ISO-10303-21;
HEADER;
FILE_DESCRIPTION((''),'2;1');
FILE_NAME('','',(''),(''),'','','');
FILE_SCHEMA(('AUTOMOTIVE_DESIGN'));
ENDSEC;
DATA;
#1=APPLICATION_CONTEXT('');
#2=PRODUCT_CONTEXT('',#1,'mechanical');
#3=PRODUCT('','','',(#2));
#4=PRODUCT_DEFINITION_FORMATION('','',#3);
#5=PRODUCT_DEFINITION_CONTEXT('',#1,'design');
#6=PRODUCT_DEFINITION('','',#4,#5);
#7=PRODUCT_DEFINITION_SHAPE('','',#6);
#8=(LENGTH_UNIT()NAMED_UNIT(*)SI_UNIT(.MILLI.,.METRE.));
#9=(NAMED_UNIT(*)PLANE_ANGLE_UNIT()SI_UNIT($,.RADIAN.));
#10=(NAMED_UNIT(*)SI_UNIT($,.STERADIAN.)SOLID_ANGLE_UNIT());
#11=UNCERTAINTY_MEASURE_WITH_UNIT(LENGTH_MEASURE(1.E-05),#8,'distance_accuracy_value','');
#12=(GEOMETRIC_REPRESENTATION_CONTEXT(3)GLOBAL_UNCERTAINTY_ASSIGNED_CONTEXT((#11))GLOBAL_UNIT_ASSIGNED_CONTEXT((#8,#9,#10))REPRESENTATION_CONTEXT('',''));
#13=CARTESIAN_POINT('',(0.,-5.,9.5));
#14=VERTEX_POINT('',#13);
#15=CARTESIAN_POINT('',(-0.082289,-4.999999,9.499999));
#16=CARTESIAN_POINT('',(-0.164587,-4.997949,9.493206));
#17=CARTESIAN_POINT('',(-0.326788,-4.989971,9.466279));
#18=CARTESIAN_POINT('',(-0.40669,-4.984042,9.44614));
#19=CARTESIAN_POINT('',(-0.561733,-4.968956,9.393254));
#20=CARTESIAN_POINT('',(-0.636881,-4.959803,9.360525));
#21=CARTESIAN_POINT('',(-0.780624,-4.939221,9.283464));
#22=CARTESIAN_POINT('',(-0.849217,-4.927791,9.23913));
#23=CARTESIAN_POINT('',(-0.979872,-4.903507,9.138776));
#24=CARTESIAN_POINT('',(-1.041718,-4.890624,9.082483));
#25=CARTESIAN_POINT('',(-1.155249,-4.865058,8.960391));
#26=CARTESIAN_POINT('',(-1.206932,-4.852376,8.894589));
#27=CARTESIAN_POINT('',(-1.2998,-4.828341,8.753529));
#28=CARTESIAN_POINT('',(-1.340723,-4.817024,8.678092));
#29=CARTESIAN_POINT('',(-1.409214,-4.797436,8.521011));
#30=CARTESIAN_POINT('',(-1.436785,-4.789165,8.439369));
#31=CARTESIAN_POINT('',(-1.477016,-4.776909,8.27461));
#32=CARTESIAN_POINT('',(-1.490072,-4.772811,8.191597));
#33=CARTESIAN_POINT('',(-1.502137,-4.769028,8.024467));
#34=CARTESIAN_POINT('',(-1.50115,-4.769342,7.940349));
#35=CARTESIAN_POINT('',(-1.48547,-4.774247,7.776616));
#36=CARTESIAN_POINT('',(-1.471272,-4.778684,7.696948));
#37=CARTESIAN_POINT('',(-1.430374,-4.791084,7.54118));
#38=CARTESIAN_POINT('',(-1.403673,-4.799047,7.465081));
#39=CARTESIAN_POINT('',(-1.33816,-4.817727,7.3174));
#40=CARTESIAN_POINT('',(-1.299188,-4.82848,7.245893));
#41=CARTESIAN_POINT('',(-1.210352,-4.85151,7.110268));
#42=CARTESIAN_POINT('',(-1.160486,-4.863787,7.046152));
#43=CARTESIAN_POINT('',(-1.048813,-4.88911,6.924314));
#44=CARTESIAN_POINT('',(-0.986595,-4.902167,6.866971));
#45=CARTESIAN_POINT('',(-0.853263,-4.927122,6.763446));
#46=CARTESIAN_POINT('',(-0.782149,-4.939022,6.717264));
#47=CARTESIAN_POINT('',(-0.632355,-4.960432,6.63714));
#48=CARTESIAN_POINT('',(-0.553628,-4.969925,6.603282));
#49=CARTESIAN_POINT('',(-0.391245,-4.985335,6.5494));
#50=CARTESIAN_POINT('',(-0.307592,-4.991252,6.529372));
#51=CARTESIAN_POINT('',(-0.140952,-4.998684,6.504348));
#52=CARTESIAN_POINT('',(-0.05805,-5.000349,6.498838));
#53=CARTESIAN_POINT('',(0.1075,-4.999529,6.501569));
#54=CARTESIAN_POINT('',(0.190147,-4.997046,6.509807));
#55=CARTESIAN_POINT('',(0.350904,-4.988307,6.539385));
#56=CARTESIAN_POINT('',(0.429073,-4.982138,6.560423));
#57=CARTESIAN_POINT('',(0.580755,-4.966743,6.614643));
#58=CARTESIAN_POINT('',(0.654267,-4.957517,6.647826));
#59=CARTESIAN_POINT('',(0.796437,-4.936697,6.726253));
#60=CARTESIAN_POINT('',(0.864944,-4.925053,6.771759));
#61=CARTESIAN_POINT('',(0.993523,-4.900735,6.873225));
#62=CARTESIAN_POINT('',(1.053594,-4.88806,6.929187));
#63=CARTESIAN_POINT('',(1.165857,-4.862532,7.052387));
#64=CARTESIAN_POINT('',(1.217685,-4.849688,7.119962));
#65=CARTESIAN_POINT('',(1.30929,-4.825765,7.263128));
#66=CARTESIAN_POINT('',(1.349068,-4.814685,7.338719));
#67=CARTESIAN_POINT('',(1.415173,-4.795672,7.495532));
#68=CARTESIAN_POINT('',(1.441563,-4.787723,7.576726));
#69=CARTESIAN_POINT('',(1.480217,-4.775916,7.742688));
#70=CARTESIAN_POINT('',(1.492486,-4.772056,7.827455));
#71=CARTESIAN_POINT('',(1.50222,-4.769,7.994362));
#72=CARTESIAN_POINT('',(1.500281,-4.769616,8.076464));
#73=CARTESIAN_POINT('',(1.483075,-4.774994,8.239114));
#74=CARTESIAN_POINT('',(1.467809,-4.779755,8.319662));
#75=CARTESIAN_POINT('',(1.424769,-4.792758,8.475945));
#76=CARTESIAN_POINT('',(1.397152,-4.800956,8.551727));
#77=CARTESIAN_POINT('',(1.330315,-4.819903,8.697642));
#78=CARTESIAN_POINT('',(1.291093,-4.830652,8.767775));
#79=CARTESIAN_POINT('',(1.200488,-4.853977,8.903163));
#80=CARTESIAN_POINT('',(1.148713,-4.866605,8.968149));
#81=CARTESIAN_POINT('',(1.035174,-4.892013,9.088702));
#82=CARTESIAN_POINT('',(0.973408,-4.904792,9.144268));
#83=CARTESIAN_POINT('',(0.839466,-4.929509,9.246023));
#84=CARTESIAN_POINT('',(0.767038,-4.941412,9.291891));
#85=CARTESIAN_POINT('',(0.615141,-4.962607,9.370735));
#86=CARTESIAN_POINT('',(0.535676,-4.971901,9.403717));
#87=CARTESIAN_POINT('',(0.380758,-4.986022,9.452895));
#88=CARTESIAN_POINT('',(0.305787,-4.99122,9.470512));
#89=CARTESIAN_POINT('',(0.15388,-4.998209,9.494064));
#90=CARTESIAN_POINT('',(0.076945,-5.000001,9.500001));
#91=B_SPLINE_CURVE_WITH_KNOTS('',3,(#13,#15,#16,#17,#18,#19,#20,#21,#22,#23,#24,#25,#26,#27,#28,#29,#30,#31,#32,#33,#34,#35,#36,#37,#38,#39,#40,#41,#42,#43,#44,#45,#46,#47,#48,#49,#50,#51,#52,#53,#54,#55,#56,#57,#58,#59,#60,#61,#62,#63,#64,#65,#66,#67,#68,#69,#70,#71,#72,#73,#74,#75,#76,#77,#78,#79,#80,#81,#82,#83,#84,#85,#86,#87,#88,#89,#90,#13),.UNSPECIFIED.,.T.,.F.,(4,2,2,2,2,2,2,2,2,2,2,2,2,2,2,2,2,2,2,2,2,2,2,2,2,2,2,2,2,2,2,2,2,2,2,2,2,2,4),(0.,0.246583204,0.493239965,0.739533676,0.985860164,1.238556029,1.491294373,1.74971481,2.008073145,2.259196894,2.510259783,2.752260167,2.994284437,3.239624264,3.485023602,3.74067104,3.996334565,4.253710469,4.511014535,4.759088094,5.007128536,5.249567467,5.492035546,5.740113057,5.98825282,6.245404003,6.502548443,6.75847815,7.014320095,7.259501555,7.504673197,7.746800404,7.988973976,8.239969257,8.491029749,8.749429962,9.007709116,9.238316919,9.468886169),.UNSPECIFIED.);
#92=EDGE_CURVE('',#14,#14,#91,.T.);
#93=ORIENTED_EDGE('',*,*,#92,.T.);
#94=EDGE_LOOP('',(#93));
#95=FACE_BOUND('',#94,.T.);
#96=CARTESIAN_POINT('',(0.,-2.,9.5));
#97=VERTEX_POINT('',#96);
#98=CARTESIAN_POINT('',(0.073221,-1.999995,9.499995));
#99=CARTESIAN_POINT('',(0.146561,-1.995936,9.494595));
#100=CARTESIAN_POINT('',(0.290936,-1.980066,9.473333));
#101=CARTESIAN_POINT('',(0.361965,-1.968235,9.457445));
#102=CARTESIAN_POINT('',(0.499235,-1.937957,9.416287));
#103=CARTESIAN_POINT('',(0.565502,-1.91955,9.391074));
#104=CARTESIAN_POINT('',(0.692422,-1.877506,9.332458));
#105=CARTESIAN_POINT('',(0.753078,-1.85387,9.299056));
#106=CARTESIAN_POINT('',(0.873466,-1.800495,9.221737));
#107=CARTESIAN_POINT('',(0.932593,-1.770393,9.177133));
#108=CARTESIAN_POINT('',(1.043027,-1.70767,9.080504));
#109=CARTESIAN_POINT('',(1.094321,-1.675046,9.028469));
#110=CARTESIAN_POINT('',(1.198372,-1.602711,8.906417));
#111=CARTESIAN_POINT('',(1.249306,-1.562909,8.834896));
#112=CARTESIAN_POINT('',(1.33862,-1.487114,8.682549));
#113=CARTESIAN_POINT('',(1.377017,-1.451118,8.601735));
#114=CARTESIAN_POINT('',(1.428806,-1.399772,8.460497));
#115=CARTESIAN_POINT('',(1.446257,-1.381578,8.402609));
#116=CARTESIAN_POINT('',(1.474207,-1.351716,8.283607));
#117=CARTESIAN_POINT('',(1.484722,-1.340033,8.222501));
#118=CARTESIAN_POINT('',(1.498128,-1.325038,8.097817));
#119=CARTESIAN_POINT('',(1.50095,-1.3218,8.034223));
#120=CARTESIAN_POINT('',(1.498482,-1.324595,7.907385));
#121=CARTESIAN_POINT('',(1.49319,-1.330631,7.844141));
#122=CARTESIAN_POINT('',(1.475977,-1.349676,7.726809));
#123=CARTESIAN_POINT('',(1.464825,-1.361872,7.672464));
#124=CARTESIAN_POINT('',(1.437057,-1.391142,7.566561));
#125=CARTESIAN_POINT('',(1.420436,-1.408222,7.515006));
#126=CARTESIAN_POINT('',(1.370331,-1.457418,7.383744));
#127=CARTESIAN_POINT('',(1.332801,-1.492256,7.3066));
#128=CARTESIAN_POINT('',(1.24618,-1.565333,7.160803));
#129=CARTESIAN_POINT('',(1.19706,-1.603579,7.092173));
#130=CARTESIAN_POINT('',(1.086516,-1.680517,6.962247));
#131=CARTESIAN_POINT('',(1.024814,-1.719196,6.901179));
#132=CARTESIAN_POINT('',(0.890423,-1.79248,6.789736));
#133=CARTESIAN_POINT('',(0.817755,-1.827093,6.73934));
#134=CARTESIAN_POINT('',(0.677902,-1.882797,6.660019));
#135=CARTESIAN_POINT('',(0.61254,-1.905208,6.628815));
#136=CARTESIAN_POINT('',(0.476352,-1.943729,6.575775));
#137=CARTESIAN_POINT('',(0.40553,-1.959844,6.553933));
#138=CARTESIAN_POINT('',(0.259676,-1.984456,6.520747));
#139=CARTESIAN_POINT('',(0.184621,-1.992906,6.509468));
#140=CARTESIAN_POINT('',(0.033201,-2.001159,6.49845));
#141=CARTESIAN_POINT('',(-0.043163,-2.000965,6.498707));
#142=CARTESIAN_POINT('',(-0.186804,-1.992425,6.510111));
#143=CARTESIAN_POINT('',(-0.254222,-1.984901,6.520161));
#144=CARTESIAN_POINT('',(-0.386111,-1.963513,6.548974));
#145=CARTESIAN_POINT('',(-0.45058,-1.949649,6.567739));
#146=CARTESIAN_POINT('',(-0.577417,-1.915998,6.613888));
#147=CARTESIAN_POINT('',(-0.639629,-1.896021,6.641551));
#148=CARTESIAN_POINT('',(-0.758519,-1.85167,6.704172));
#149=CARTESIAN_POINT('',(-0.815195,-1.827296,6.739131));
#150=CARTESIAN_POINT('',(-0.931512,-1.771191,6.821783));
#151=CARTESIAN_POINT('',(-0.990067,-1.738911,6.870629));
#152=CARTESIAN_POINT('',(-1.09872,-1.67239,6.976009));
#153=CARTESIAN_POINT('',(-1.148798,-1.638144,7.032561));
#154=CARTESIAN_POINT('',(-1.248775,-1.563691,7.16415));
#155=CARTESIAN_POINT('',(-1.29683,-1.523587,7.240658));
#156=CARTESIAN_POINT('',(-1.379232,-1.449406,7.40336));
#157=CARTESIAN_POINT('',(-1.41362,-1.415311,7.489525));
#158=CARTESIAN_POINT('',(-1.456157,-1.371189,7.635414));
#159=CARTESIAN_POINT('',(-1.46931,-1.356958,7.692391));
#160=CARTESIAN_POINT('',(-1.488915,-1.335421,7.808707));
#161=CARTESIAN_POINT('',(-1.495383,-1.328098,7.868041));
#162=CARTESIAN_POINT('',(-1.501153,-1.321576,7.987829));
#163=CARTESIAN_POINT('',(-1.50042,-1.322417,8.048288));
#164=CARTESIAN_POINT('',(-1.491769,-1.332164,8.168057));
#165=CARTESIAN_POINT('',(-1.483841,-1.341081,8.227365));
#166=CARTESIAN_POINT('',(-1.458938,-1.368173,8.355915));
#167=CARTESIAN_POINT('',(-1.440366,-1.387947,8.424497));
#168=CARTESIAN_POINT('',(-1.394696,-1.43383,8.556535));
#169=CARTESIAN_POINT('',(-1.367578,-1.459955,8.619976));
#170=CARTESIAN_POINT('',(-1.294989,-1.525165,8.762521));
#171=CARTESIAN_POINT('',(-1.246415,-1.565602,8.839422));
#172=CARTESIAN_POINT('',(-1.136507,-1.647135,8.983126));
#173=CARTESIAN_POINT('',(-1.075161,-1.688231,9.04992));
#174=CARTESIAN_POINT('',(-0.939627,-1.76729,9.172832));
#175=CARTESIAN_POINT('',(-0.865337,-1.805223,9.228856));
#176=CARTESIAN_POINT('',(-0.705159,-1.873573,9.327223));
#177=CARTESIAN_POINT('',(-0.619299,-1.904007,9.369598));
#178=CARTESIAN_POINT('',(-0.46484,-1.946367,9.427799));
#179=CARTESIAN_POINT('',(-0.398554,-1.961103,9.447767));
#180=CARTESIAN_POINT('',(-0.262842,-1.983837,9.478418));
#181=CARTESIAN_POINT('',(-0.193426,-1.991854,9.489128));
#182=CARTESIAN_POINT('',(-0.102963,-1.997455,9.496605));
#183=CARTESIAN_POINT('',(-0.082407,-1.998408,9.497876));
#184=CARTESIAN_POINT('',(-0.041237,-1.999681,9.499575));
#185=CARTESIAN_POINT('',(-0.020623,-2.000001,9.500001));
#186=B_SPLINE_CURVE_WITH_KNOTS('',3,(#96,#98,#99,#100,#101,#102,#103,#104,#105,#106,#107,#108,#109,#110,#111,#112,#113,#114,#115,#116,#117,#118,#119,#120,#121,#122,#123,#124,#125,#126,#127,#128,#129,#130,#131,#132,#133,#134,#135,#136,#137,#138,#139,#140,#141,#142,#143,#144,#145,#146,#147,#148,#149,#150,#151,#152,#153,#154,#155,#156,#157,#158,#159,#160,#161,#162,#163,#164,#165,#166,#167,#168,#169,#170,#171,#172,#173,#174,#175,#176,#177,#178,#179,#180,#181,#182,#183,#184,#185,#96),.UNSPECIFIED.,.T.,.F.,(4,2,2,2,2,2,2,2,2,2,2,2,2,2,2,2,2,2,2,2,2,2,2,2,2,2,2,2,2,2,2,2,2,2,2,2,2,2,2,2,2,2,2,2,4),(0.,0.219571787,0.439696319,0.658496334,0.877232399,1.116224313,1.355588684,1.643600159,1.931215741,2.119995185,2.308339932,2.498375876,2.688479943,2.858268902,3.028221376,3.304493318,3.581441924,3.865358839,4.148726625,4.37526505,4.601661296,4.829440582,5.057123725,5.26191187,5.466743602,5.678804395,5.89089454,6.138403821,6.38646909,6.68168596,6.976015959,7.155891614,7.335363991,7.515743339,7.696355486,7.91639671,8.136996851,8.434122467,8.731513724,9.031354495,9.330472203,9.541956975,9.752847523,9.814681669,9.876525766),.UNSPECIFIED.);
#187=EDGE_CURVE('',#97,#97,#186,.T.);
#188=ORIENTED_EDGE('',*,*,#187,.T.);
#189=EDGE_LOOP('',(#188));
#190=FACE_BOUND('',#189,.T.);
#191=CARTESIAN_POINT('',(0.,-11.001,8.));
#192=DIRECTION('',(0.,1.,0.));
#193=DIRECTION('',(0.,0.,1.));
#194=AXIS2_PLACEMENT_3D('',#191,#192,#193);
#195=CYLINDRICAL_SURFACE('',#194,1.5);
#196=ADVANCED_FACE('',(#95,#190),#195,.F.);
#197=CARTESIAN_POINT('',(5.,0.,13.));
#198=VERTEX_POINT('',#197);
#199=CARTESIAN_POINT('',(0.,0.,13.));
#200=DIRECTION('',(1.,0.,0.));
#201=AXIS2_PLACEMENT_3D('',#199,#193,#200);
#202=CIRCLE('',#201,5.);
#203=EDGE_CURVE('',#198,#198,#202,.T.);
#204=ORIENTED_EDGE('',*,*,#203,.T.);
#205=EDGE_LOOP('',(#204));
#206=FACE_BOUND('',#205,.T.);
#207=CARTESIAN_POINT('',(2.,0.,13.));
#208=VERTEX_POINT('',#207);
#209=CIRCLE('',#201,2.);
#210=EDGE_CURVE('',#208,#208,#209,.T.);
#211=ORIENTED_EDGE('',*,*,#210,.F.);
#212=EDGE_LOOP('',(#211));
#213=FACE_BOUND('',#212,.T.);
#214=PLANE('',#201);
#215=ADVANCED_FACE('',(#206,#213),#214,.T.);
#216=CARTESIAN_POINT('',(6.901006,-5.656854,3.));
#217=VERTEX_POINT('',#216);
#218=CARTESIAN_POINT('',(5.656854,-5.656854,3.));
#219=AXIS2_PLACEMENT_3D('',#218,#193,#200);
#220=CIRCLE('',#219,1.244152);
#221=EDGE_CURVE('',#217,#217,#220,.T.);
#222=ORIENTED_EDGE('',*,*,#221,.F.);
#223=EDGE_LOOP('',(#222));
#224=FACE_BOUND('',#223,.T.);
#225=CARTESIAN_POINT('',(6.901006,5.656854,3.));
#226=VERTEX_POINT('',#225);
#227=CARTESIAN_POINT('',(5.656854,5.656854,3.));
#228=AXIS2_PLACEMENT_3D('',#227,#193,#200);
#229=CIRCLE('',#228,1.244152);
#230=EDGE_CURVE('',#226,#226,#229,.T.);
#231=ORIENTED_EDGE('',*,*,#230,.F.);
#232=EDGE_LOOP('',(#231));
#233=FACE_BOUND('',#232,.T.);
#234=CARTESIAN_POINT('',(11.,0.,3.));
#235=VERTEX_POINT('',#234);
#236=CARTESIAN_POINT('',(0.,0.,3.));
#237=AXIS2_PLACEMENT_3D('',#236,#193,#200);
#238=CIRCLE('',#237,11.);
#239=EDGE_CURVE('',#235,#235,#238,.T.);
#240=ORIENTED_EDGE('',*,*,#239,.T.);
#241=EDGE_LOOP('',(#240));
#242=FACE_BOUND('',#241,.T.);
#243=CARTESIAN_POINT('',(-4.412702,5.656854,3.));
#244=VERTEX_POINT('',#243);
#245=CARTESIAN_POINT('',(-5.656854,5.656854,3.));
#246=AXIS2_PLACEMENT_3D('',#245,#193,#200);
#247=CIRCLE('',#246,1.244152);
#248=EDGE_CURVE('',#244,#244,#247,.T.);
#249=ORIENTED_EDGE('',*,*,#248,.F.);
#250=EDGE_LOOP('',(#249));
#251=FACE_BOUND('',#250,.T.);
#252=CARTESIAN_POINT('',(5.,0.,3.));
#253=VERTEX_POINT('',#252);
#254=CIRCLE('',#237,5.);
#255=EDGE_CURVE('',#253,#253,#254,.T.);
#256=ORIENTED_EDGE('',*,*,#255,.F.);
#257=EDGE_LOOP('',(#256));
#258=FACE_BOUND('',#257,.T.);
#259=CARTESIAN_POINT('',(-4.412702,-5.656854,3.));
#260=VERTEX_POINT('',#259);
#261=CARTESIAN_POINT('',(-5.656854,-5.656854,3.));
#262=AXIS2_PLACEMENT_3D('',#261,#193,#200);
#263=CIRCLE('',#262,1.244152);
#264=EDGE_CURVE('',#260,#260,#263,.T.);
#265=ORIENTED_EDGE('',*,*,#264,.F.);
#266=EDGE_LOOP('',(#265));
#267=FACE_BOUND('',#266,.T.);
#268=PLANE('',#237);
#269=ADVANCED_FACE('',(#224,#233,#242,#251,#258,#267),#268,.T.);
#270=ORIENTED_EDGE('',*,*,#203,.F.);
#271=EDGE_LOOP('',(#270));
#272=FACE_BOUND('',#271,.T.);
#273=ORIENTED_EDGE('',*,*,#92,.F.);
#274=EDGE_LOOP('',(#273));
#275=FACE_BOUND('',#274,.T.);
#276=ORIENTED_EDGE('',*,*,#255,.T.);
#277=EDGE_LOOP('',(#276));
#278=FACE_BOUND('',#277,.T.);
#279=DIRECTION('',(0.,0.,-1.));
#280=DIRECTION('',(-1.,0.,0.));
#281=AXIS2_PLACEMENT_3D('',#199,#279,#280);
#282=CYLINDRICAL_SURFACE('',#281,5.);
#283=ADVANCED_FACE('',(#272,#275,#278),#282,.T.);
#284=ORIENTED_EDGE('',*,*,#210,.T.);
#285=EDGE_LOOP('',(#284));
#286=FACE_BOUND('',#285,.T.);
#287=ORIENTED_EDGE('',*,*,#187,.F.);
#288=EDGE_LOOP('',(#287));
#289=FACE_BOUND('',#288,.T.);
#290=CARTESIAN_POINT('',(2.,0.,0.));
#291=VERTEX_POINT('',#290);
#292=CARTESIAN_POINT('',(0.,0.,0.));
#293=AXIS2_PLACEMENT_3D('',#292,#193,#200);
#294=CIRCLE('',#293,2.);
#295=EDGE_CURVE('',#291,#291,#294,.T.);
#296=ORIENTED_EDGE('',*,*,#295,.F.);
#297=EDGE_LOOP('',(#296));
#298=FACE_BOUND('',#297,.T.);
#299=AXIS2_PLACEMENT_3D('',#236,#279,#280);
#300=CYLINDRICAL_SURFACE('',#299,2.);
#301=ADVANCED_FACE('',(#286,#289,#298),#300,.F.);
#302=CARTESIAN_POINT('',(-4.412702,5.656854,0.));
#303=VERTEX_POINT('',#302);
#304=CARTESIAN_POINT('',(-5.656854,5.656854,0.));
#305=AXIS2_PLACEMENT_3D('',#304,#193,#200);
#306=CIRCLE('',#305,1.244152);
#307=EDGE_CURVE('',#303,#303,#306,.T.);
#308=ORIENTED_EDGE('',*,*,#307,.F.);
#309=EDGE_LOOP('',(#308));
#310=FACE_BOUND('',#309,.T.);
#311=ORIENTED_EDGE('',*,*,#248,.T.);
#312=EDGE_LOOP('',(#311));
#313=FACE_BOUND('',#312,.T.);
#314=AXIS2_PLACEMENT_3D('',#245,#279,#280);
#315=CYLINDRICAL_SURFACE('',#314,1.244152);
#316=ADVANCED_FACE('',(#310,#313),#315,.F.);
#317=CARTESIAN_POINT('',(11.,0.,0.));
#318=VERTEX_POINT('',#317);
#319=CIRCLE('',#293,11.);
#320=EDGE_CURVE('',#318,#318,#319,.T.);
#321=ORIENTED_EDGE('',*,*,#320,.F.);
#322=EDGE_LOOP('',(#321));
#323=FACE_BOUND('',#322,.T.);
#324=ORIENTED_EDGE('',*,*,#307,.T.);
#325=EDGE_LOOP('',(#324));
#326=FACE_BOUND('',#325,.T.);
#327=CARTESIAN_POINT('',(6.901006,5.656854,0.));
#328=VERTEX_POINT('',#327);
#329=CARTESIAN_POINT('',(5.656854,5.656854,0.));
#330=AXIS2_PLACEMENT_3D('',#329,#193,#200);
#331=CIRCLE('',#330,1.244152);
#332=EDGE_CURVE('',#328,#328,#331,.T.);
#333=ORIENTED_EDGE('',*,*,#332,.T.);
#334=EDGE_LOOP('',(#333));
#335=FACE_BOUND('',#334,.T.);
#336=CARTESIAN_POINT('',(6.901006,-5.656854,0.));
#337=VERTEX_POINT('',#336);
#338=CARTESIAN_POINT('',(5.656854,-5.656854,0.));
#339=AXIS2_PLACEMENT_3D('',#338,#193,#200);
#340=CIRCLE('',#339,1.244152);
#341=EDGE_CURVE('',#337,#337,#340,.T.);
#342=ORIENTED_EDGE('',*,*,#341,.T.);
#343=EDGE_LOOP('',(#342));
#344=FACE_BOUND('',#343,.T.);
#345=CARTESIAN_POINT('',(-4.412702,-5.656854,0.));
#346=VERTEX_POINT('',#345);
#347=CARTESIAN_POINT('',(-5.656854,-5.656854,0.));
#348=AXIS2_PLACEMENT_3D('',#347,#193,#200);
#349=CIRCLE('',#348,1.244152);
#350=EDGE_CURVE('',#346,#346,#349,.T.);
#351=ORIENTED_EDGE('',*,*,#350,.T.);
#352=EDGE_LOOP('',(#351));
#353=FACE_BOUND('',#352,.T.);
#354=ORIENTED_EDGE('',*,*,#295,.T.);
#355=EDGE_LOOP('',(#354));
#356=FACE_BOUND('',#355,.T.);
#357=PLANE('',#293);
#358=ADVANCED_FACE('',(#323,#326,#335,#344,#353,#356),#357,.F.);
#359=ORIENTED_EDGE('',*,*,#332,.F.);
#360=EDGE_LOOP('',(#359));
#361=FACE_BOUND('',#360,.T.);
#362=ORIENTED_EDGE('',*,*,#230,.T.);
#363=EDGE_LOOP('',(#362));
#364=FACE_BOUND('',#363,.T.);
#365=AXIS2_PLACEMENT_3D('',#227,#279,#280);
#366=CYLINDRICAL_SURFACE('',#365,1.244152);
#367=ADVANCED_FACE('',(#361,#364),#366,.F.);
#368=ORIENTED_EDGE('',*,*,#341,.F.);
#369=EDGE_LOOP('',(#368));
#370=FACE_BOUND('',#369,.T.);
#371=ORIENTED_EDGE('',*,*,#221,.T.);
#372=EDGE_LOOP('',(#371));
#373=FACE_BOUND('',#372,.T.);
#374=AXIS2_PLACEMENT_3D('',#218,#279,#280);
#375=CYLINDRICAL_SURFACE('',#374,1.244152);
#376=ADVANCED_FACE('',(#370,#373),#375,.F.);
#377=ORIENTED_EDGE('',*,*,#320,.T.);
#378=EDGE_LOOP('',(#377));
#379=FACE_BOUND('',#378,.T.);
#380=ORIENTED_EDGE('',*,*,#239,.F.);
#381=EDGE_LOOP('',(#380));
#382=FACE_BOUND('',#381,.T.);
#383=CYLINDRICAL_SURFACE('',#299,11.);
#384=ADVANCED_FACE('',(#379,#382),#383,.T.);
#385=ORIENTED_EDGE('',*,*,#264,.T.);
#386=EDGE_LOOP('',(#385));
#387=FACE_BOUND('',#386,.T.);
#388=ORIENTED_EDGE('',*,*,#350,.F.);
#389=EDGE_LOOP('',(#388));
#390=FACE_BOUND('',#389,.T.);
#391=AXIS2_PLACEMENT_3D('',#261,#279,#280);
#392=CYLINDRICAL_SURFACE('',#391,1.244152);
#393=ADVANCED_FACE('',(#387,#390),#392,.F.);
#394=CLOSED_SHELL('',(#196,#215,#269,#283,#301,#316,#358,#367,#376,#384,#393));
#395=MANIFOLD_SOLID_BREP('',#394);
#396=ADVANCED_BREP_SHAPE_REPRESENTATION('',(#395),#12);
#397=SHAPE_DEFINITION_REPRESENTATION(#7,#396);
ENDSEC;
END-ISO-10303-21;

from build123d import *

# Parameters (mm, degrees)
SKETCH2_R               = 11
SKETCH2_R_2             = 2
SKETCH2_R_3             = 1.244152151
BOSS_EXTRUDE1_DEPTH     = 3
SKETCH3_R               = 5
SKETCH3_R_2             = 2
BOSS_EXTRUDE3_DEPTH     = 10
CUT_EXTRUDE2_REACH      = 22.273
CUT_EXTRUDE2_END_RADIUS = 5
SKETCH6_R               = 1.5


with BuildPart() as part:
    # Sketch2 → Boss-Extrude1 (new body)
    with BuildSketch(Plane.XY):
        Circle(SKETCH2_R)
        Circle(SKETCH2_R_2, mode=Mode.SUBTRACT)
        with Locations((-5.656854249, 5.656854249)):
            Circle(SKETCH2_R_3, mode=Mode.SUBTRACT)
        with Locations((5.656854249, 5.656854249)):
            Circle(SKETCH2_R_3, mode=Mode.SUBTRACT)
        with Locations((5.656854249, -5.656854249)):
            Circle(SKETCH2_R_3, mode=Mode.SUBTRACT)
        with Locations((-5.656854249, -5.656854249)):
            Circle(SKETCH2_R_3, mode=Mode.SUBTRACT)
    extrude(amount=BOSS_EXTRUDE1_DEPTH)

    # Sketch3 → Boss-Extrude3 (add)
    with BuildSketch(Plane.XY.offset(3)):
        Circle(SKETCH3_R)
        Circle(SKETCH3_R_2, mode=Mode.SUBTRACT)
    extrude(amount=BOSS_EXTRUDE3_DEPTH)

    # Cut-Extrude2: up to this cylinder (the profile starts inside it)
    cut_extrude2_end = Plane(origin=(0, 0, 8), z_dir=(0, 0, -1)) * Cylinder(CUT_EXTRUDE2_END_RADIUS, 55.546, mode=Mode.PRIVATE)
    # Sketch6 → Cut-Extrude2 (cut, up to the surface)
    with BuildSketch(Plane(origin=(0, 0, 0), x_dir=(1, 0, 0), z_dir=(0, 1, 0)), mode=Mode.PRIVATE) as cut_extrude2_sk1:
        with Locations(Location((0, -8, 0), (0, 0, 270))):
            Circle(SKETCH6_R)
    cut_extrude2_tool1 = extrude(cut_extrude2_sk1.sketch, amount=-CUT_EXTRUDE2_REACH, mode=Mode.PRIVATE) & cut_extrude2_end
    add(cut_extrude2_tool1.solids().sort_by_distance((0, 0, 8))[0], mode=Mode.SUBTRACT)


solid = part.part
